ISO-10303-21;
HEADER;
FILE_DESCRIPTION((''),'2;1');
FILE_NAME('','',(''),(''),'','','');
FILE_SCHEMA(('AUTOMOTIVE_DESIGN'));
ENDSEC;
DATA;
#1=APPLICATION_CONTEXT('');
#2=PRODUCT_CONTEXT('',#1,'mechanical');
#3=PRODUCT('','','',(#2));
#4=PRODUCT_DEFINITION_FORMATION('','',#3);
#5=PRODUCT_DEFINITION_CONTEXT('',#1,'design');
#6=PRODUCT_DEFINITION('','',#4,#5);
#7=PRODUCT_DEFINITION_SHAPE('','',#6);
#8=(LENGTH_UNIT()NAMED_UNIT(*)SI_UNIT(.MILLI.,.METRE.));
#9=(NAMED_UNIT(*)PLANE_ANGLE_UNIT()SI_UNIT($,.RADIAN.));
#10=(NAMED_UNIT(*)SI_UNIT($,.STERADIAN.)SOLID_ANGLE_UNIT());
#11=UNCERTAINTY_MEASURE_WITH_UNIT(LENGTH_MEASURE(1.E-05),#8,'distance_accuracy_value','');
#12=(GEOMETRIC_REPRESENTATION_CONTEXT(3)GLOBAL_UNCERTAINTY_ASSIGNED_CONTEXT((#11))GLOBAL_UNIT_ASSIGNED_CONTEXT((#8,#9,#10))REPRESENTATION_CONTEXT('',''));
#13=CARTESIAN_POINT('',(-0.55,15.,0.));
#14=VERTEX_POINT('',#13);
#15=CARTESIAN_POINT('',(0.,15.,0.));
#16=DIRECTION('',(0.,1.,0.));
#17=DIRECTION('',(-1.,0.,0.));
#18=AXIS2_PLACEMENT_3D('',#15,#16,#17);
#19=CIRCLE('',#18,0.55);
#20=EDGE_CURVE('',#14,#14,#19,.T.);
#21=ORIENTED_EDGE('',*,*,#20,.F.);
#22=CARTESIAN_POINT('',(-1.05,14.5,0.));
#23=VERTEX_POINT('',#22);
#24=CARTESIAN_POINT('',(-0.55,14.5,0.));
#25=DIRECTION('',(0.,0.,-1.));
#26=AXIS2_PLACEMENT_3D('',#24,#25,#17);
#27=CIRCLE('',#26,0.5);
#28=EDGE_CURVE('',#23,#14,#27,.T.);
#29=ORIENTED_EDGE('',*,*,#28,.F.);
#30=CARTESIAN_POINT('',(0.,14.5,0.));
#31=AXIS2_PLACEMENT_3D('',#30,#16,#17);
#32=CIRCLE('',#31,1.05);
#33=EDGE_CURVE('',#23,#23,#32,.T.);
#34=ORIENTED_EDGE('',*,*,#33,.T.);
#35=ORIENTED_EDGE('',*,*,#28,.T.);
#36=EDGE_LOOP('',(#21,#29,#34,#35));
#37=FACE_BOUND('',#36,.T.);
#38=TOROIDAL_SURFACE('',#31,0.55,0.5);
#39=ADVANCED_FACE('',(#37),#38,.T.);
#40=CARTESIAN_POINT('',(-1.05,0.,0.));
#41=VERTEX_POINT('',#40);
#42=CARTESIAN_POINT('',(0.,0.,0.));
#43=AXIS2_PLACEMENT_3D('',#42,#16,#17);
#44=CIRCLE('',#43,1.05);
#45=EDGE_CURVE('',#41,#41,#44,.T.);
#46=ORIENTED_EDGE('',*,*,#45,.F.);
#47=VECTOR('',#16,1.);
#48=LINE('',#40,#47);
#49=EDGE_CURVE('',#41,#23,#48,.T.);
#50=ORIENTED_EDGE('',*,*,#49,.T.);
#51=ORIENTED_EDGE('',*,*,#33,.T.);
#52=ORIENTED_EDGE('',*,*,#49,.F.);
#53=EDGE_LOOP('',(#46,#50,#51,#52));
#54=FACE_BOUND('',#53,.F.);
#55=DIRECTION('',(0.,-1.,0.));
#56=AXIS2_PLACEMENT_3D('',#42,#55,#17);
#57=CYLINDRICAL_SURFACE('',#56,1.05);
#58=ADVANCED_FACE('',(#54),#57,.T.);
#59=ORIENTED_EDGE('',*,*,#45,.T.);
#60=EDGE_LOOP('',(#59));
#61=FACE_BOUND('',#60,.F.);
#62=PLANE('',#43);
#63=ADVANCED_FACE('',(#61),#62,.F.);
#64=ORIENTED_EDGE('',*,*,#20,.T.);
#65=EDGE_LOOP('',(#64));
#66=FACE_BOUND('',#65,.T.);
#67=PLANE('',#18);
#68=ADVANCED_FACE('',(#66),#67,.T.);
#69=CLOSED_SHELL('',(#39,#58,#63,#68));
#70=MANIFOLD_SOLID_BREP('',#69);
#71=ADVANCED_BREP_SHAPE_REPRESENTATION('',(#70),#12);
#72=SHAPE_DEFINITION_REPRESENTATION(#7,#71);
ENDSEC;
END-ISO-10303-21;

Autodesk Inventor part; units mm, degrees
ref_plane "YZ Plane" through (0, 0, 0) normal (1, 0, 0) x (0, 1, 0)
ref_plane "XZ Plane" through (0, 0, 0) normal (0, 1, 0) x (-1, 0, 0)
ref_plane "XY Plane" through (0, 0, 0) normal (0, 0, 1) x (1, 0, 0)
sketch "Sketch1" plane through (0, 0, 0) normal (0, 1, 0) x (-1, 0, 0)
  circle A0 centre (0, 0) radius 1.05
  dimension "d0" = 2.1
extrude "Extrusion1" add sketch "Sketch1" along normal blind 15
fillet "Fillet1" radius 0.5 1 edges at (1.05, 15, 0)
properties part number "fixture_pi_guide_pin"
